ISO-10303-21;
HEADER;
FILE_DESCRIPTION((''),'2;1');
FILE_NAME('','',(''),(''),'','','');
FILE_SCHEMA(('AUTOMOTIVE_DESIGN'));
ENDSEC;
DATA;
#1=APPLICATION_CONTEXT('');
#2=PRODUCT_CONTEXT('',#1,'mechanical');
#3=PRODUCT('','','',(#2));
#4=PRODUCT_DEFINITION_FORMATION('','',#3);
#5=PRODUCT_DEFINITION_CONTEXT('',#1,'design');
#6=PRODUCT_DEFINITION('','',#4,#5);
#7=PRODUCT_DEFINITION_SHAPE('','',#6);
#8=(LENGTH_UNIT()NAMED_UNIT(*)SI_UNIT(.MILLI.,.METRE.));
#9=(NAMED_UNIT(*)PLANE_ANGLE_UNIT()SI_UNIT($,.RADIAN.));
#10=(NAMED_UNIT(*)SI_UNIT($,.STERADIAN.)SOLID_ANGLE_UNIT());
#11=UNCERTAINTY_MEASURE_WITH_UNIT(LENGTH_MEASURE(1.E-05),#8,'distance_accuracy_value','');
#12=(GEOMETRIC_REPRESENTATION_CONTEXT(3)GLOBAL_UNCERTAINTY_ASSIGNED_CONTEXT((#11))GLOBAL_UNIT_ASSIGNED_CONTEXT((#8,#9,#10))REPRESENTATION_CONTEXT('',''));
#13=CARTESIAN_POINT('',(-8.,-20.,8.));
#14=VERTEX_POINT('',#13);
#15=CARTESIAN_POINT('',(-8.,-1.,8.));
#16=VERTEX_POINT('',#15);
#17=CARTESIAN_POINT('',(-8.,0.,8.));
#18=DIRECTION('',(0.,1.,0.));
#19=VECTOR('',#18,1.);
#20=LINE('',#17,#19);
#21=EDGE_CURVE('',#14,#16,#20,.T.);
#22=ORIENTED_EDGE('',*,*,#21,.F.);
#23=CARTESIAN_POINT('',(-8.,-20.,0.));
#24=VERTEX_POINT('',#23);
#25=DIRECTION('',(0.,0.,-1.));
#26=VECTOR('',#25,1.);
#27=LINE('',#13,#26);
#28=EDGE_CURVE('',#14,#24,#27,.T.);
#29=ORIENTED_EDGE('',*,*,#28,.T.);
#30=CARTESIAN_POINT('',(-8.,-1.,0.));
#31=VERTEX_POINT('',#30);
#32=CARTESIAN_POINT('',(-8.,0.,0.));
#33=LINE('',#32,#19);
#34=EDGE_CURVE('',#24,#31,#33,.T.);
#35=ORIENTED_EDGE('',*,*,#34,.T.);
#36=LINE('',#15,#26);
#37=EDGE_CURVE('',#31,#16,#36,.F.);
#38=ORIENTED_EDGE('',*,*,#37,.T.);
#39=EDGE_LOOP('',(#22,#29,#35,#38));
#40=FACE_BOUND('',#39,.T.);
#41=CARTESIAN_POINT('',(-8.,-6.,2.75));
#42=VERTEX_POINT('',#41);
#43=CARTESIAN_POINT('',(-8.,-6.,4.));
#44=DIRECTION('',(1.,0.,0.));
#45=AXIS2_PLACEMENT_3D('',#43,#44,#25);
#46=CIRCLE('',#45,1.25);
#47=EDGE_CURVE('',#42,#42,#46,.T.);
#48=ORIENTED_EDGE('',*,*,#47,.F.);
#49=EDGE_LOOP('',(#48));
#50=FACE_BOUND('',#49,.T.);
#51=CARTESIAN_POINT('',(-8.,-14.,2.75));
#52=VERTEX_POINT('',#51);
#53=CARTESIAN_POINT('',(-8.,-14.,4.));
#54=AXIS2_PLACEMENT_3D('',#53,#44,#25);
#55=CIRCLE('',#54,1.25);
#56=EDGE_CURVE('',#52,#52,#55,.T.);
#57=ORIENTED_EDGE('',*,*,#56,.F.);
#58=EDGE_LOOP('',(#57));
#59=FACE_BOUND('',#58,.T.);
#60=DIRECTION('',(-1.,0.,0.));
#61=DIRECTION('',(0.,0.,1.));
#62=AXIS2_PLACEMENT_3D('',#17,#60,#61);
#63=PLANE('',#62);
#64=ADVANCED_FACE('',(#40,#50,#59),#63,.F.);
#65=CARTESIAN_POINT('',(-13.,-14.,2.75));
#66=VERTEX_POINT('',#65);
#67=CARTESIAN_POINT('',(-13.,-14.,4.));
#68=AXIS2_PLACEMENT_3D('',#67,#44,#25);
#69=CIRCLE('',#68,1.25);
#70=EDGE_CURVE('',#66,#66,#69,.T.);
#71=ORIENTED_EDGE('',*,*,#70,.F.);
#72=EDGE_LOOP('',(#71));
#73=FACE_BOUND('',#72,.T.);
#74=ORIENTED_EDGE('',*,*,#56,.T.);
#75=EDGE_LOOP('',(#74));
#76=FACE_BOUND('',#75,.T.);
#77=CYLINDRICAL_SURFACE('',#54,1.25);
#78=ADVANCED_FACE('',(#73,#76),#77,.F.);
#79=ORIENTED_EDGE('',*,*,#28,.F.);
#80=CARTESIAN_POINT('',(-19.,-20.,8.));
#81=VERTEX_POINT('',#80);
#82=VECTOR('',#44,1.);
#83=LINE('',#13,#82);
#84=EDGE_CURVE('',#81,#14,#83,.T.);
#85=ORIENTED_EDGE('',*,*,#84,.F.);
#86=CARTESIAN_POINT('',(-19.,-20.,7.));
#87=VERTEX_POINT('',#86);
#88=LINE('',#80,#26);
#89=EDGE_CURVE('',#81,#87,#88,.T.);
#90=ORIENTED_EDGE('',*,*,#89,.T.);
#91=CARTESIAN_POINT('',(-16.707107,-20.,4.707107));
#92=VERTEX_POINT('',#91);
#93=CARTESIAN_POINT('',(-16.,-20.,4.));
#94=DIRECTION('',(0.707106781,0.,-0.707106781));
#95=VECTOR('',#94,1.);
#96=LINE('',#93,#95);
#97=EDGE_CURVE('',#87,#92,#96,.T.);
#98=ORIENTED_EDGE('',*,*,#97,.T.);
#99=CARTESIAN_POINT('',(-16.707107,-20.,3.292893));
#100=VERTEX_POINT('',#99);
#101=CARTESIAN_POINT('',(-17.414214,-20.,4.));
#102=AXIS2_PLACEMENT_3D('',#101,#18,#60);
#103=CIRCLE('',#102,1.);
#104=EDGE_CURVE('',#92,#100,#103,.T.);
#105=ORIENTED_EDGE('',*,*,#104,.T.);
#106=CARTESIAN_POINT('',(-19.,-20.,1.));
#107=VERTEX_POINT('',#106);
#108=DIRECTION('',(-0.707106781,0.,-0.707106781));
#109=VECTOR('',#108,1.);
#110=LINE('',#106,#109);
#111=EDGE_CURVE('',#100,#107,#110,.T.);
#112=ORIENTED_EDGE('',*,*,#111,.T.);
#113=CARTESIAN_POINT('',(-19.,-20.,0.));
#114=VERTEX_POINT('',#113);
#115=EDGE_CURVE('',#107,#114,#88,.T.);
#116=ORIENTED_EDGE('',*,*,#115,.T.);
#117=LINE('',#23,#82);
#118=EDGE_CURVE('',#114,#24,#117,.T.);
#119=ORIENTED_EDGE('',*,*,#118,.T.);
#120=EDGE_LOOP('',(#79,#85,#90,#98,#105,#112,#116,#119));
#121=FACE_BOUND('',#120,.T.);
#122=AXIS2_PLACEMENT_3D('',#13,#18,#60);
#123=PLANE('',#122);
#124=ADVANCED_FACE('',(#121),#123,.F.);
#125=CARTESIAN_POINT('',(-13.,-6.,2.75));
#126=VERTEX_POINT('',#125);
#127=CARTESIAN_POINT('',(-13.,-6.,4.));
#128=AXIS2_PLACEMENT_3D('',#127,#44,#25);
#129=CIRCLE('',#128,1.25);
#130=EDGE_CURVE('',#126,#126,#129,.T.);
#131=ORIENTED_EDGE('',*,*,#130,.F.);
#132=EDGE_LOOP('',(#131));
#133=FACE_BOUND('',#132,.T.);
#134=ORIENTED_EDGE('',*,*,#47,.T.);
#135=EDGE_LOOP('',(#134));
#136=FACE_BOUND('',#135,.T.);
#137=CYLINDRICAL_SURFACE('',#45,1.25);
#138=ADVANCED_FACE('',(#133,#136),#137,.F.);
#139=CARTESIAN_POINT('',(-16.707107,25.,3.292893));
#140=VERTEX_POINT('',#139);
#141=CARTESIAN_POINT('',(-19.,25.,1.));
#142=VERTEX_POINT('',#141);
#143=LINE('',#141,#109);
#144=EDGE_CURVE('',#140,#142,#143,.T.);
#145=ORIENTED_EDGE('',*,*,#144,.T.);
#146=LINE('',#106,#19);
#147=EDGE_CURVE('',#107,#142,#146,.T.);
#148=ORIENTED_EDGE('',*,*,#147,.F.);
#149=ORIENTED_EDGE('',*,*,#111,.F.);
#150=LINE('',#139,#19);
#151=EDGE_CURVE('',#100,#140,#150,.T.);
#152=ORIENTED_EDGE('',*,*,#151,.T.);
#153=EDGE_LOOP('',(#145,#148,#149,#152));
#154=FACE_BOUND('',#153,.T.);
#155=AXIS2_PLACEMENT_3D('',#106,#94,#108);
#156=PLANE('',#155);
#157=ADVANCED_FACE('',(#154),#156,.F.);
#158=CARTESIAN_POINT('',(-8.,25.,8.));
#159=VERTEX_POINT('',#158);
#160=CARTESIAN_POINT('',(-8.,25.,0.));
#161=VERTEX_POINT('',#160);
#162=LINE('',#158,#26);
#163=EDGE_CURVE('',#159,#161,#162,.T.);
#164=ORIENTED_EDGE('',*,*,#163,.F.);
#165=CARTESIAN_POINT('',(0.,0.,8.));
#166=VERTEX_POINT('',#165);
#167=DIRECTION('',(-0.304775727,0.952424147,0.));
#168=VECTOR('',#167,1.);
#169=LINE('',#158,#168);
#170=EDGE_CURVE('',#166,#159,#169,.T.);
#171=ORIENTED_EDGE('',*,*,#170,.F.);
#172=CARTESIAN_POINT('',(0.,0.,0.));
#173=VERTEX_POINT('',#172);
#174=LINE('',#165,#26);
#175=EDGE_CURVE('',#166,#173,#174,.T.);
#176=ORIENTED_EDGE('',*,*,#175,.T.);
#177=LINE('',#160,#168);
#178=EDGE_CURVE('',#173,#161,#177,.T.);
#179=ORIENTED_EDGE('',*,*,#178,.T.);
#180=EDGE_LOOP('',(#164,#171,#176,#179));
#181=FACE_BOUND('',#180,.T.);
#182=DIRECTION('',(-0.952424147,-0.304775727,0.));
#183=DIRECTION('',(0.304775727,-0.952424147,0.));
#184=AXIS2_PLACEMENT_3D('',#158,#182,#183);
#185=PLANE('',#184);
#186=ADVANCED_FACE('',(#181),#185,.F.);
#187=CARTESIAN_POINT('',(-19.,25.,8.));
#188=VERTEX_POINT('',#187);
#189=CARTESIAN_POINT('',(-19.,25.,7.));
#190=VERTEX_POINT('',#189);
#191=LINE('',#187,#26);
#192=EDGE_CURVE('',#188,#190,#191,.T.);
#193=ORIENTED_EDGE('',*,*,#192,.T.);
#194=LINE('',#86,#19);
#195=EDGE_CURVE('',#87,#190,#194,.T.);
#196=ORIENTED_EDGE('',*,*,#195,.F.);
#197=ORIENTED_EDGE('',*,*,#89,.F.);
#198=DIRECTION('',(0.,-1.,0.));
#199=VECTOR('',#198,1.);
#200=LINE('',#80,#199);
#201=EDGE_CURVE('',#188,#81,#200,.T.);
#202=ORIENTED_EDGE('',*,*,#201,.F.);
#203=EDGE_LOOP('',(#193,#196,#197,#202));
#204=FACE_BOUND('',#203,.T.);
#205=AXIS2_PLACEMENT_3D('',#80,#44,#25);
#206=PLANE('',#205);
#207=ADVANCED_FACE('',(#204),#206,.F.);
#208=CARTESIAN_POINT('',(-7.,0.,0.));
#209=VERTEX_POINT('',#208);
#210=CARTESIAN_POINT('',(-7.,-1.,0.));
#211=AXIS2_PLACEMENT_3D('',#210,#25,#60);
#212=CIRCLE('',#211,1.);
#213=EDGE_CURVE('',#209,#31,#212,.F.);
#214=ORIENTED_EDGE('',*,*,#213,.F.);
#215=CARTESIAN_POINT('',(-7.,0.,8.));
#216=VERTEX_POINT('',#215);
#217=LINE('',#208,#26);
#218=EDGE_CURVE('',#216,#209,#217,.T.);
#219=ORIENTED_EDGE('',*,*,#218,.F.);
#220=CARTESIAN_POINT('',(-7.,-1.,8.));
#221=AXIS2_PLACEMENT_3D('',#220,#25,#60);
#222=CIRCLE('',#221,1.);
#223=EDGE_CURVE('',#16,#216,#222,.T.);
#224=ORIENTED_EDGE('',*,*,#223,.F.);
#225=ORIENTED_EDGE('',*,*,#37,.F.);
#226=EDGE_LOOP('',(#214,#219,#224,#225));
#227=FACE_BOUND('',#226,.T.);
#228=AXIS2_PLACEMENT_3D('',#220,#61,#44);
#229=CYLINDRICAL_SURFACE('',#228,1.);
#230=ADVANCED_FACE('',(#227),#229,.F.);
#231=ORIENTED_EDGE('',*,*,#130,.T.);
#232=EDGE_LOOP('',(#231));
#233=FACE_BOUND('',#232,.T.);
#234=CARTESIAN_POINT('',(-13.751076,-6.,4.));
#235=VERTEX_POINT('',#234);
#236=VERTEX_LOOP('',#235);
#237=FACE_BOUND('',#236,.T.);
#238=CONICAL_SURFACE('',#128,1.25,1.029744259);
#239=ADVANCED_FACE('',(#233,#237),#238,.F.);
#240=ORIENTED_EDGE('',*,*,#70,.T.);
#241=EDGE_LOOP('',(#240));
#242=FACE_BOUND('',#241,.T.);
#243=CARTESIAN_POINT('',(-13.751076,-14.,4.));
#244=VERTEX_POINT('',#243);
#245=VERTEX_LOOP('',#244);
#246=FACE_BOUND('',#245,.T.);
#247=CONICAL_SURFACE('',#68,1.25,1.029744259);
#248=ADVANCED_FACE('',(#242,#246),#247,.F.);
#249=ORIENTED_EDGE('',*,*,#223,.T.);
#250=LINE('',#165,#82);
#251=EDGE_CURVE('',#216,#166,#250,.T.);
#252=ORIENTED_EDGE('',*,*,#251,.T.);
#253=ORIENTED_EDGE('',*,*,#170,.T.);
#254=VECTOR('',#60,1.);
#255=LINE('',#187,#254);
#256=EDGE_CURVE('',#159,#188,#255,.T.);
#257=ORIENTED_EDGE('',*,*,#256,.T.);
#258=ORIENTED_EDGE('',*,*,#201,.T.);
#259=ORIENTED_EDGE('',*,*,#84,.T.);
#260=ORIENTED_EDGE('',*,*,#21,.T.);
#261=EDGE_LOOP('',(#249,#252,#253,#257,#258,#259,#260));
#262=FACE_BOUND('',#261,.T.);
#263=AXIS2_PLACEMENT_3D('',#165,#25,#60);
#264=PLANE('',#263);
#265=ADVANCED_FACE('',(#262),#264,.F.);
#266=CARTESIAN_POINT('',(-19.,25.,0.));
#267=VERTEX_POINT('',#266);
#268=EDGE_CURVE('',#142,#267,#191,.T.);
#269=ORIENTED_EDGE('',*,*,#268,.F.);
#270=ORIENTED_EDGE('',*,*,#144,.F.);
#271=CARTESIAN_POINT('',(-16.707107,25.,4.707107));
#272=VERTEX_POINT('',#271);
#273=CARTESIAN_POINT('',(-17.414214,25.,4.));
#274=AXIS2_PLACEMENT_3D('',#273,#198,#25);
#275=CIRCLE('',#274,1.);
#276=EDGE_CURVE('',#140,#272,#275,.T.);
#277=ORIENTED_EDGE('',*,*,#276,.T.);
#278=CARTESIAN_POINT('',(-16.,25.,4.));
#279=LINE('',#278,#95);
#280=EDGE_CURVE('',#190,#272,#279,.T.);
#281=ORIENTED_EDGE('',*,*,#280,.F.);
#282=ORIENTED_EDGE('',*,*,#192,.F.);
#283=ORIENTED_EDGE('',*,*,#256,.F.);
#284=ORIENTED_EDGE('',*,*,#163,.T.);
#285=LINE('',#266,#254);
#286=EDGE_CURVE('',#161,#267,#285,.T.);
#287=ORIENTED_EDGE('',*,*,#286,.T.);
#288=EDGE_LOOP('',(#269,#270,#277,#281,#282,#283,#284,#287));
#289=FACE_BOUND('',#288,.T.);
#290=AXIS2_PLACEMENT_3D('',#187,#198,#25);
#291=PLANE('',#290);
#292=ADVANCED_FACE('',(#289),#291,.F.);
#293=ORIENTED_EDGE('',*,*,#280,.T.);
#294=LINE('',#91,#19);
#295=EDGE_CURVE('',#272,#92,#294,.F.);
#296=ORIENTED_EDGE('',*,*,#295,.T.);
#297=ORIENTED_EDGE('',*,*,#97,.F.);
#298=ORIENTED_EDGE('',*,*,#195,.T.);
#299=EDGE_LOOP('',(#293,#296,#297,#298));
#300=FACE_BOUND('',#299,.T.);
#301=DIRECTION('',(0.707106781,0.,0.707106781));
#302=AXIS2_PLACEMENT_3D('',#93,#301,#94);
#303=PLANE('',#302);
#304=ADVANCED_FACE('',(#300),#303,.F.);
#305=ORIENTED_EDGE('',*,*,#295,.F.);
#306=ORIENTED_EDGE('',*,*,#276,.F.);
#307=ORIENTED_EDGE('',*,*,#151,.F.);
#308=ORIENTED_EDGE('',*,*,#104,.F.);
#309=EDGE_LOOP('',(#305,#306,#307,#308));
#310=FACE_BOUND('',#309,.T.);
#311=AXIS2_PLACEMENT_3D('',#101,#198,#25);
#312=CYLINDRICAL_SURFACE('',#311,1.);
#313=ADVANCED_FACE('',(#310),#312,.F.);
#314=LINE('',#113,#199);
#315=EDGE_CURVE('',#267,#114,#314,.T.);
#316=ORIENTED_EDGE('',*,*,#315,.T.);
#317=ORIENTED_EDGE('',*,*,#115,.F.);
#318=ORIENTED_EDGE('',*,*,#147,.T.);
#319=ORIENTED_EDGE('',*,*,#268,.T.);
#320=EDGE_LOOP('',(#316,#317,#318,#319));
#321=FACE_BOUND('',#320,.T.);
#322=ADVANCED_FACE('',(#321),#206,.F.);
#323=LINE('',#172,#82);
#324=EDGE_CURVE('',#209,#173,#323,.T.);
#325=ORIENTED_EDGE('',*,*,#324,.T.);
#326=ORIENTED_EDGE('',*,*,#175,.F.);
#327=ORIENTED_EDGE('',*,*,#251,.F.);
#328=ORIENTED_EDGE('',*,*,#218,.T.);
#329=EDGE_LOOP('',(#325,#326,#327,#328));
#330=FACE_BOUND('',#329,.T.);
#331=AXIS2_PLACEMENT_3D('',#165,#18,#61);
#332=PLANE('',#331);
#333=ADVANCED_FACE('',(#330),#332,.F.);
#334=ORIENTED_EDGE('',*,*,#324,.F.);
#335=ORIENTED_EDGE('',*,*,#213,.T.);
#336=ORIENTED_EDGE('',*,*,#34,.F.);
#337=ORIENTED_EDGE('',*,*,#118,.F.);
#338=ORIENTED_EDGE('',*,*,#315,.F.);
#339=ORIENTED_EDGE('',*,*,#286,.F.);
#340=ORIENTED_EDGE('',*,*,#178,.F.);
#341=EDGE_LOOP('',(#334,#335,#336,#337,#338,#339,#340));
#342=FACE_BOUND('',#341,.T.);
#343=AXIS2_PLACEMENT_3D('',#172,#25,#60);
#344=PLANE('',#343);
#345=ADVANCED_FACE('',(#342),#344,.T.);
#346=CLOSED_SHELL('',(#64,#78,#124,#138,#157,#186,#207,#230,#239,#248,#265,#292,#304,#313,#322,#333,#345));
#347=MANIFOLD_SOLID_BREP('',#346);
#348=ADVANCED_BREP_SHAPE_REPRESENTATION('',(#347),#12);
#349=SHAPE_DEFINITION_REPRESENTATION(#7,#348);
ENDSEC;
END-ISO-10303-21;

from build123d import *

# Parameters (mm, degrees)
BOSS_EXTRUDE1_DEPTH       = 8
CUT_EXTRUDE1_DEPTH        = 46
M3X0_5_TAPPED_HOLE1_D     = 2.5
M3X0_5_TAPPED_HOLE1_DEPTH = 5
M3X0_5_TAPPED_HOLE1_TIP   = 0.751075774
FILLET1_R                 = 1
FILLET2_R                 = 1


with BuildPart() as part:
    # Sketch1 → Boss-Extrude1 (new body)
    with BuildSketch(Plane.XY):
        Polygon((0, 0), (-8, 0), (-8, -20), (-19, -20), (-19, 25), (-8, 25), align=None)
    extrude(amount=BOSS_EXTRUDE1_DEPTH)

    # Sketch2 → Cut-Extrude1 (cut, through all)
    with BuildSketch(Plane(origin=(0, 25, 0), x_dir=(1, 0, 0), z_dir=(0, 1, 0))):
        Polygon((-19, -4), (-19, -1), (-16, -4), (-19, -7), align=None)
    extrude(amount=-CUT_EXTRUDE1_DEPTH, mode=Mode.SUBTRACT)

    # M3x0.5 Tapped Hole1
    with Locations(Plane(origin=(-8, -6, 4), x_dir=(0, 0, 1), z_dir=(1, 0, 0))):
        with Locations((0, 0), (0, 8)):
            Hole(M3X0_5_TAPPED_HOLE1_D / 2, depth=M3X0_5_TAPPED_HOLE1_DEPTH)
            with Locations((0, 0, -(M3X0_5_TAPPED_HOLE1_DEPTH + M3X0_5_TAPPED_HOLE1_TIP / 2))):  # 118° drill point
                Cone(0, M3X0_5_TAPPED_HOLE1_D / 2, M3X0_5_TAPPED_HOLE1_TIP, mode=Mode.SUBTRACT)

    # Fillet1
    fillet1_edges = [part.edges().sort_by_distance(p)[0] for p in [
        (-16, 2.5, 4),
    ]]
    fillet(fillet1_edges, radius=FILLET1_R)

    # Fillet2
    fillet2_edges = [part.edges().sort_by_distance(p)[0] for p in [
        (-8, 0, 4),
    ]]
    fillet(fillet2_edges, radius=FILLET2_R)


solid = part.part
